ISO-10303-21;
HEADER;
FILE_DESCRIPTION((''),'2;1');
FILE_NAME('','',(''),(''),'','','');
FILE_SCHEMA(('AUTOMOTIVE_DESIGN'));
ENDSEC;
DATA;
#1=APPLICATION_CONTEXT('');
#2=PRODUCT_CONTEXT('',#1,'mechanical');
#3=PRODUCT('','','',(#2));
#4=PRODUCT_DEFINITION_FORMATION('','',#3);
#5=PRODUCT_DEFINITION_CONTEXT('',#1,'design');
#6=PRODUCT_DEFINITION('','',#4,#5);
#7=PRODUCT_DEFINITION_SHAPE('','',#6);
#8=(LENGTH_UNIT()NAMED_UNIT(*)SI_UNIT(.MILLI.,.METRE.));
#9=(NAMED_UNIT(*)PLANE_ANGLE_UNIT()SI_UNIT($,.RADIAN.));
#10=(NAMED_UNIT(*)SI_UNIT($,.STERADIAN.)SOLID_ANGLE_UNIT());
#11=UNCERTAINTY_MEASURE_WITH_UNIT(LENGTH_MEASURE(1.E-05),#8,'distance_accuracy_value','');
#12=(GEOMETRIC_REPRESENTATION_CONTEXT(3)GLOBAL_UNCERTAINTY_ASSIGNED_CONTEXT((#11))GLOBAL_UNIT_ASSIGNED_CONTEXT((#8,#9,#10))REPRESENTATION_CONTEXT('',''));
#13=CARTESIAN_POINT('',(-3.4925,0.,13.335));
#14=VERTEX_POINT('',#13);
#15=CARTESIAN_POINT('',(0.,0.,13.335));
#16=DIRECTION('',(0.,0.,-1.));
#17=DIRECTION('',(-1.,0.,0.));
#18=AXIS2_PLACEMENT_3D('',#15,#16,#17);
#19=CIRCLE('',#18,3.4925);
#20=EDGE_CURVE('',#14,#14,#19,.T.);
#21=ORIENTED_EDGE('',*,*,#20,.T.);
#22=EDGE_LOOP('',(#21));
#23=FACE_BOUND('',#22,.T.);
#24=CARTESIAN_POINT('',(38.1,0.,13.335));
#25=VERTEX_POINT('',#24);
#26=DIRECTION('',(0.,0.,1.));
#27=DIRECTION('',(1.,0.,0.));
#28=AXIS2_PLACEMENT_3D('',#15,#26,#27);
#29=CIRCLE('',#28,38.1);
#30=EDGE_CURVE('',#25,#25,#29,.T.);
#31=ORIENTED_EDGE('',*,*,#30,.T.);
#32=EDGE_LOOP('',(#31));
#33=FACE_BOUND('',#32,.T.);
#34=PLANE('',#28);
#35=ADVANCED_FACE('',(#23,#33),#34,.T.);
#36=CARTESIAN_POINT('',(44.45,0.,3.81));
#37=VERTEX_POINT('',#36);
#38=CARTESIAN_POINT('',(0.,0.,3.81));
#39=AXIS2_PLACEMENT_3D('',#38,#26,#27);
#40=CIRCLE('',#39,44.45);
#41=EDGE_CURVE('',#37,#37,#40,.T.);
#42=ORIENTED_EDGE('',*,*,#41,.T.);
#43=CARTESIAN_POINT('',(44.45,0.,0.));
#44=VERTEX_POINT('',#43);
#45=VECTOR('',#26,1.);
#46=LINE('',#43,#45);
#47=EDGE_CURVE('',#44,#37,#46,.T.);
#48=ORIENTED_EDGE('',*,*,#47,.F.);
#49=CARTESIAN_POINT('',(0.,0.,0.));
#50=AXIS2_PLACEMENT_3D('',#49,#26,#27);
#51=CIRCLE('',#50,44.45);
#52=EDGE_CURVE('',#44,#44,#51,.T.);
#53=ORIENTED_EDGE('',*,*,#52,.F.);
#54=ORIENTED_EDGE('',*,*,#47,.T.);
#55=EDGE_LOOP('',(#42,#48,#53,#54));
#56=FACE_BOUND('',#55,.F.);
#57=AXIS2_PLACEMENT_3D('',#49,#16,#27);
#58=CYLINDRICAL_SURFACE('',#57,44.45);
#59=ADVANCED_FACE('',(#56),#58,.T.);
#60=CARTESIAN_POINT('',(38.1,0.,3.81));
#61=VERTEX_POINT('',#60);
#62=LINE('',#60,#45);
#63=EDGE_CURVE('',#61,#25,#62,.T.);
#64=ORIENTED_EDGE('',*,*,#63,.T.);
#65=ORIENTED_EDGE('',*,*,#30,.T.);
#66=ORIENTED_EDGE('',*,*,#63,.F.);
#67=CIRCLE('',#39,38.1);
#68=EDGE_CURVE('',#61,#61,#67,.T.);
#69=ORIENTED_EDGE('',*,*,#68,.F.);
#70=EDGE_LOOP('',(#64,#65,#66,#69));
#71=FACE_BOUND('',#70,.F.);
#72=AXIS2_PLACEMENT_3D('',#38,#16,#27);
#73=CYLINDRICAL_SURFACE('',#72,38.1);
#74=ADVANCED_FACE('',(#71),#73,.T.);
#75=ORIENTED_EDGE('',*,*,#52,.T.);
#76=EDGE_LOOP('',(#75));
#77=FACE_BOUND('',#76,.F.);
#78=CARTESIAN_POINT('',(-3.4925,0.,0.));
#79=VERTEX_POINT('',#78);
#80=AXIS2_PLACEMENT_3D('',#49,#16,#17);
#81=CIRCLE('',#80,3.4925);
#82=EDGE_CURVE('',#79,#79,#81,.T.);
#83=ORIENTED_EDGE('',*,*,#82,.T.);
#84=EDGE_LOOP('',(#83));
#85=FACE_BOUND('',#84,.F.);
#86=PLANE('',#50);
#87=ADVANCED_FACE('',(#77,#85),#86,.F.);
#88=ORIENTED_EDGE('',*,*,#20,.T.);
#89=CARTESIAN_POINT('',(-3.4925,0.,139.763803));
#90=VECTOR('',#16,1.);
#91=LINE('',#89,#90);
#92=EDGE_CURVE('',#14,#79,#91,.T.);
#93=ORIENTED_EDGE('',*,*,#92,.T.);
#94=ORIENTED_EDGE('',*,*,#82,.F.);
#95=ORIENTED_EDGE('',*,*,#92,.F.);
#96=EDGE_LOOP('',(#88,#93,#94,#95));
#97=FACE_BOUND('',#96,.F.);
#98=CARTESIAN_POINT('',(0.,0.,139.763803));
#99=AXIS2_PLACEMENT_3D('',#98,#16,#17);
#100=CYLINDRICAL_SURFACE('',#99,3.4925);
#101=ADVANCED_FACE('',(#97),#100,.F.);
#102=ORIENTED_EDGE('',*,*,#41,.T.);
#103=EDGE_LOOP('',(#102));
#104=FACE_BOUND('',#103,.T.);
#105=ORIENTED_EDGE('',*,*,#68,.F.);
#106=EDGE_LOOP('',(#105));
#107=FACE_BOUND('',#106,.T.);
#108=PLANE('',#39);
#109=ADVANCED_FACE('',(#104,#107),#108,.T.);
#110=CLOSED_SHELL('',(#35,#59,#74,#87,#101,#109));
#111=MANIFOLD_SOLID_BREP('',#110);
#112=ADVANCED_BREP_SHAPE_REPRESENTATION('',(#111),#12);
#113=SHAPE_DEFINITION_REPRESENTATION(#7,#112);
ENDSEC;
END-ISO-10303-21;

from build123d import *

# Parameters (mm, degrees)
F0_R     = 44.45
F1_DEPTH = 3.81
F2_R     = 38.1
F3_DEPTH = 9.525
F5_D     = 6.985


with BuildPart() as f1:
    # F0 (on Top) → F1 (new body)
    with BuildSketch(Plane.XY):
        Circle(F0_R)
    extrude(amount=F1_DEPTH)

    # F2 (on face) → F3 (join)
    with BuildSketch(Plane.XY.offset(3.81)):
        Circle(F2_R)
    extrude(amount=F3_DEPTH)

    # F5 (through all)
    with Locations(Plane.XY.offset(13.335)):
        with Locations((0, 0)):
            Hole(F5_D / 2)


solid = f1.part
